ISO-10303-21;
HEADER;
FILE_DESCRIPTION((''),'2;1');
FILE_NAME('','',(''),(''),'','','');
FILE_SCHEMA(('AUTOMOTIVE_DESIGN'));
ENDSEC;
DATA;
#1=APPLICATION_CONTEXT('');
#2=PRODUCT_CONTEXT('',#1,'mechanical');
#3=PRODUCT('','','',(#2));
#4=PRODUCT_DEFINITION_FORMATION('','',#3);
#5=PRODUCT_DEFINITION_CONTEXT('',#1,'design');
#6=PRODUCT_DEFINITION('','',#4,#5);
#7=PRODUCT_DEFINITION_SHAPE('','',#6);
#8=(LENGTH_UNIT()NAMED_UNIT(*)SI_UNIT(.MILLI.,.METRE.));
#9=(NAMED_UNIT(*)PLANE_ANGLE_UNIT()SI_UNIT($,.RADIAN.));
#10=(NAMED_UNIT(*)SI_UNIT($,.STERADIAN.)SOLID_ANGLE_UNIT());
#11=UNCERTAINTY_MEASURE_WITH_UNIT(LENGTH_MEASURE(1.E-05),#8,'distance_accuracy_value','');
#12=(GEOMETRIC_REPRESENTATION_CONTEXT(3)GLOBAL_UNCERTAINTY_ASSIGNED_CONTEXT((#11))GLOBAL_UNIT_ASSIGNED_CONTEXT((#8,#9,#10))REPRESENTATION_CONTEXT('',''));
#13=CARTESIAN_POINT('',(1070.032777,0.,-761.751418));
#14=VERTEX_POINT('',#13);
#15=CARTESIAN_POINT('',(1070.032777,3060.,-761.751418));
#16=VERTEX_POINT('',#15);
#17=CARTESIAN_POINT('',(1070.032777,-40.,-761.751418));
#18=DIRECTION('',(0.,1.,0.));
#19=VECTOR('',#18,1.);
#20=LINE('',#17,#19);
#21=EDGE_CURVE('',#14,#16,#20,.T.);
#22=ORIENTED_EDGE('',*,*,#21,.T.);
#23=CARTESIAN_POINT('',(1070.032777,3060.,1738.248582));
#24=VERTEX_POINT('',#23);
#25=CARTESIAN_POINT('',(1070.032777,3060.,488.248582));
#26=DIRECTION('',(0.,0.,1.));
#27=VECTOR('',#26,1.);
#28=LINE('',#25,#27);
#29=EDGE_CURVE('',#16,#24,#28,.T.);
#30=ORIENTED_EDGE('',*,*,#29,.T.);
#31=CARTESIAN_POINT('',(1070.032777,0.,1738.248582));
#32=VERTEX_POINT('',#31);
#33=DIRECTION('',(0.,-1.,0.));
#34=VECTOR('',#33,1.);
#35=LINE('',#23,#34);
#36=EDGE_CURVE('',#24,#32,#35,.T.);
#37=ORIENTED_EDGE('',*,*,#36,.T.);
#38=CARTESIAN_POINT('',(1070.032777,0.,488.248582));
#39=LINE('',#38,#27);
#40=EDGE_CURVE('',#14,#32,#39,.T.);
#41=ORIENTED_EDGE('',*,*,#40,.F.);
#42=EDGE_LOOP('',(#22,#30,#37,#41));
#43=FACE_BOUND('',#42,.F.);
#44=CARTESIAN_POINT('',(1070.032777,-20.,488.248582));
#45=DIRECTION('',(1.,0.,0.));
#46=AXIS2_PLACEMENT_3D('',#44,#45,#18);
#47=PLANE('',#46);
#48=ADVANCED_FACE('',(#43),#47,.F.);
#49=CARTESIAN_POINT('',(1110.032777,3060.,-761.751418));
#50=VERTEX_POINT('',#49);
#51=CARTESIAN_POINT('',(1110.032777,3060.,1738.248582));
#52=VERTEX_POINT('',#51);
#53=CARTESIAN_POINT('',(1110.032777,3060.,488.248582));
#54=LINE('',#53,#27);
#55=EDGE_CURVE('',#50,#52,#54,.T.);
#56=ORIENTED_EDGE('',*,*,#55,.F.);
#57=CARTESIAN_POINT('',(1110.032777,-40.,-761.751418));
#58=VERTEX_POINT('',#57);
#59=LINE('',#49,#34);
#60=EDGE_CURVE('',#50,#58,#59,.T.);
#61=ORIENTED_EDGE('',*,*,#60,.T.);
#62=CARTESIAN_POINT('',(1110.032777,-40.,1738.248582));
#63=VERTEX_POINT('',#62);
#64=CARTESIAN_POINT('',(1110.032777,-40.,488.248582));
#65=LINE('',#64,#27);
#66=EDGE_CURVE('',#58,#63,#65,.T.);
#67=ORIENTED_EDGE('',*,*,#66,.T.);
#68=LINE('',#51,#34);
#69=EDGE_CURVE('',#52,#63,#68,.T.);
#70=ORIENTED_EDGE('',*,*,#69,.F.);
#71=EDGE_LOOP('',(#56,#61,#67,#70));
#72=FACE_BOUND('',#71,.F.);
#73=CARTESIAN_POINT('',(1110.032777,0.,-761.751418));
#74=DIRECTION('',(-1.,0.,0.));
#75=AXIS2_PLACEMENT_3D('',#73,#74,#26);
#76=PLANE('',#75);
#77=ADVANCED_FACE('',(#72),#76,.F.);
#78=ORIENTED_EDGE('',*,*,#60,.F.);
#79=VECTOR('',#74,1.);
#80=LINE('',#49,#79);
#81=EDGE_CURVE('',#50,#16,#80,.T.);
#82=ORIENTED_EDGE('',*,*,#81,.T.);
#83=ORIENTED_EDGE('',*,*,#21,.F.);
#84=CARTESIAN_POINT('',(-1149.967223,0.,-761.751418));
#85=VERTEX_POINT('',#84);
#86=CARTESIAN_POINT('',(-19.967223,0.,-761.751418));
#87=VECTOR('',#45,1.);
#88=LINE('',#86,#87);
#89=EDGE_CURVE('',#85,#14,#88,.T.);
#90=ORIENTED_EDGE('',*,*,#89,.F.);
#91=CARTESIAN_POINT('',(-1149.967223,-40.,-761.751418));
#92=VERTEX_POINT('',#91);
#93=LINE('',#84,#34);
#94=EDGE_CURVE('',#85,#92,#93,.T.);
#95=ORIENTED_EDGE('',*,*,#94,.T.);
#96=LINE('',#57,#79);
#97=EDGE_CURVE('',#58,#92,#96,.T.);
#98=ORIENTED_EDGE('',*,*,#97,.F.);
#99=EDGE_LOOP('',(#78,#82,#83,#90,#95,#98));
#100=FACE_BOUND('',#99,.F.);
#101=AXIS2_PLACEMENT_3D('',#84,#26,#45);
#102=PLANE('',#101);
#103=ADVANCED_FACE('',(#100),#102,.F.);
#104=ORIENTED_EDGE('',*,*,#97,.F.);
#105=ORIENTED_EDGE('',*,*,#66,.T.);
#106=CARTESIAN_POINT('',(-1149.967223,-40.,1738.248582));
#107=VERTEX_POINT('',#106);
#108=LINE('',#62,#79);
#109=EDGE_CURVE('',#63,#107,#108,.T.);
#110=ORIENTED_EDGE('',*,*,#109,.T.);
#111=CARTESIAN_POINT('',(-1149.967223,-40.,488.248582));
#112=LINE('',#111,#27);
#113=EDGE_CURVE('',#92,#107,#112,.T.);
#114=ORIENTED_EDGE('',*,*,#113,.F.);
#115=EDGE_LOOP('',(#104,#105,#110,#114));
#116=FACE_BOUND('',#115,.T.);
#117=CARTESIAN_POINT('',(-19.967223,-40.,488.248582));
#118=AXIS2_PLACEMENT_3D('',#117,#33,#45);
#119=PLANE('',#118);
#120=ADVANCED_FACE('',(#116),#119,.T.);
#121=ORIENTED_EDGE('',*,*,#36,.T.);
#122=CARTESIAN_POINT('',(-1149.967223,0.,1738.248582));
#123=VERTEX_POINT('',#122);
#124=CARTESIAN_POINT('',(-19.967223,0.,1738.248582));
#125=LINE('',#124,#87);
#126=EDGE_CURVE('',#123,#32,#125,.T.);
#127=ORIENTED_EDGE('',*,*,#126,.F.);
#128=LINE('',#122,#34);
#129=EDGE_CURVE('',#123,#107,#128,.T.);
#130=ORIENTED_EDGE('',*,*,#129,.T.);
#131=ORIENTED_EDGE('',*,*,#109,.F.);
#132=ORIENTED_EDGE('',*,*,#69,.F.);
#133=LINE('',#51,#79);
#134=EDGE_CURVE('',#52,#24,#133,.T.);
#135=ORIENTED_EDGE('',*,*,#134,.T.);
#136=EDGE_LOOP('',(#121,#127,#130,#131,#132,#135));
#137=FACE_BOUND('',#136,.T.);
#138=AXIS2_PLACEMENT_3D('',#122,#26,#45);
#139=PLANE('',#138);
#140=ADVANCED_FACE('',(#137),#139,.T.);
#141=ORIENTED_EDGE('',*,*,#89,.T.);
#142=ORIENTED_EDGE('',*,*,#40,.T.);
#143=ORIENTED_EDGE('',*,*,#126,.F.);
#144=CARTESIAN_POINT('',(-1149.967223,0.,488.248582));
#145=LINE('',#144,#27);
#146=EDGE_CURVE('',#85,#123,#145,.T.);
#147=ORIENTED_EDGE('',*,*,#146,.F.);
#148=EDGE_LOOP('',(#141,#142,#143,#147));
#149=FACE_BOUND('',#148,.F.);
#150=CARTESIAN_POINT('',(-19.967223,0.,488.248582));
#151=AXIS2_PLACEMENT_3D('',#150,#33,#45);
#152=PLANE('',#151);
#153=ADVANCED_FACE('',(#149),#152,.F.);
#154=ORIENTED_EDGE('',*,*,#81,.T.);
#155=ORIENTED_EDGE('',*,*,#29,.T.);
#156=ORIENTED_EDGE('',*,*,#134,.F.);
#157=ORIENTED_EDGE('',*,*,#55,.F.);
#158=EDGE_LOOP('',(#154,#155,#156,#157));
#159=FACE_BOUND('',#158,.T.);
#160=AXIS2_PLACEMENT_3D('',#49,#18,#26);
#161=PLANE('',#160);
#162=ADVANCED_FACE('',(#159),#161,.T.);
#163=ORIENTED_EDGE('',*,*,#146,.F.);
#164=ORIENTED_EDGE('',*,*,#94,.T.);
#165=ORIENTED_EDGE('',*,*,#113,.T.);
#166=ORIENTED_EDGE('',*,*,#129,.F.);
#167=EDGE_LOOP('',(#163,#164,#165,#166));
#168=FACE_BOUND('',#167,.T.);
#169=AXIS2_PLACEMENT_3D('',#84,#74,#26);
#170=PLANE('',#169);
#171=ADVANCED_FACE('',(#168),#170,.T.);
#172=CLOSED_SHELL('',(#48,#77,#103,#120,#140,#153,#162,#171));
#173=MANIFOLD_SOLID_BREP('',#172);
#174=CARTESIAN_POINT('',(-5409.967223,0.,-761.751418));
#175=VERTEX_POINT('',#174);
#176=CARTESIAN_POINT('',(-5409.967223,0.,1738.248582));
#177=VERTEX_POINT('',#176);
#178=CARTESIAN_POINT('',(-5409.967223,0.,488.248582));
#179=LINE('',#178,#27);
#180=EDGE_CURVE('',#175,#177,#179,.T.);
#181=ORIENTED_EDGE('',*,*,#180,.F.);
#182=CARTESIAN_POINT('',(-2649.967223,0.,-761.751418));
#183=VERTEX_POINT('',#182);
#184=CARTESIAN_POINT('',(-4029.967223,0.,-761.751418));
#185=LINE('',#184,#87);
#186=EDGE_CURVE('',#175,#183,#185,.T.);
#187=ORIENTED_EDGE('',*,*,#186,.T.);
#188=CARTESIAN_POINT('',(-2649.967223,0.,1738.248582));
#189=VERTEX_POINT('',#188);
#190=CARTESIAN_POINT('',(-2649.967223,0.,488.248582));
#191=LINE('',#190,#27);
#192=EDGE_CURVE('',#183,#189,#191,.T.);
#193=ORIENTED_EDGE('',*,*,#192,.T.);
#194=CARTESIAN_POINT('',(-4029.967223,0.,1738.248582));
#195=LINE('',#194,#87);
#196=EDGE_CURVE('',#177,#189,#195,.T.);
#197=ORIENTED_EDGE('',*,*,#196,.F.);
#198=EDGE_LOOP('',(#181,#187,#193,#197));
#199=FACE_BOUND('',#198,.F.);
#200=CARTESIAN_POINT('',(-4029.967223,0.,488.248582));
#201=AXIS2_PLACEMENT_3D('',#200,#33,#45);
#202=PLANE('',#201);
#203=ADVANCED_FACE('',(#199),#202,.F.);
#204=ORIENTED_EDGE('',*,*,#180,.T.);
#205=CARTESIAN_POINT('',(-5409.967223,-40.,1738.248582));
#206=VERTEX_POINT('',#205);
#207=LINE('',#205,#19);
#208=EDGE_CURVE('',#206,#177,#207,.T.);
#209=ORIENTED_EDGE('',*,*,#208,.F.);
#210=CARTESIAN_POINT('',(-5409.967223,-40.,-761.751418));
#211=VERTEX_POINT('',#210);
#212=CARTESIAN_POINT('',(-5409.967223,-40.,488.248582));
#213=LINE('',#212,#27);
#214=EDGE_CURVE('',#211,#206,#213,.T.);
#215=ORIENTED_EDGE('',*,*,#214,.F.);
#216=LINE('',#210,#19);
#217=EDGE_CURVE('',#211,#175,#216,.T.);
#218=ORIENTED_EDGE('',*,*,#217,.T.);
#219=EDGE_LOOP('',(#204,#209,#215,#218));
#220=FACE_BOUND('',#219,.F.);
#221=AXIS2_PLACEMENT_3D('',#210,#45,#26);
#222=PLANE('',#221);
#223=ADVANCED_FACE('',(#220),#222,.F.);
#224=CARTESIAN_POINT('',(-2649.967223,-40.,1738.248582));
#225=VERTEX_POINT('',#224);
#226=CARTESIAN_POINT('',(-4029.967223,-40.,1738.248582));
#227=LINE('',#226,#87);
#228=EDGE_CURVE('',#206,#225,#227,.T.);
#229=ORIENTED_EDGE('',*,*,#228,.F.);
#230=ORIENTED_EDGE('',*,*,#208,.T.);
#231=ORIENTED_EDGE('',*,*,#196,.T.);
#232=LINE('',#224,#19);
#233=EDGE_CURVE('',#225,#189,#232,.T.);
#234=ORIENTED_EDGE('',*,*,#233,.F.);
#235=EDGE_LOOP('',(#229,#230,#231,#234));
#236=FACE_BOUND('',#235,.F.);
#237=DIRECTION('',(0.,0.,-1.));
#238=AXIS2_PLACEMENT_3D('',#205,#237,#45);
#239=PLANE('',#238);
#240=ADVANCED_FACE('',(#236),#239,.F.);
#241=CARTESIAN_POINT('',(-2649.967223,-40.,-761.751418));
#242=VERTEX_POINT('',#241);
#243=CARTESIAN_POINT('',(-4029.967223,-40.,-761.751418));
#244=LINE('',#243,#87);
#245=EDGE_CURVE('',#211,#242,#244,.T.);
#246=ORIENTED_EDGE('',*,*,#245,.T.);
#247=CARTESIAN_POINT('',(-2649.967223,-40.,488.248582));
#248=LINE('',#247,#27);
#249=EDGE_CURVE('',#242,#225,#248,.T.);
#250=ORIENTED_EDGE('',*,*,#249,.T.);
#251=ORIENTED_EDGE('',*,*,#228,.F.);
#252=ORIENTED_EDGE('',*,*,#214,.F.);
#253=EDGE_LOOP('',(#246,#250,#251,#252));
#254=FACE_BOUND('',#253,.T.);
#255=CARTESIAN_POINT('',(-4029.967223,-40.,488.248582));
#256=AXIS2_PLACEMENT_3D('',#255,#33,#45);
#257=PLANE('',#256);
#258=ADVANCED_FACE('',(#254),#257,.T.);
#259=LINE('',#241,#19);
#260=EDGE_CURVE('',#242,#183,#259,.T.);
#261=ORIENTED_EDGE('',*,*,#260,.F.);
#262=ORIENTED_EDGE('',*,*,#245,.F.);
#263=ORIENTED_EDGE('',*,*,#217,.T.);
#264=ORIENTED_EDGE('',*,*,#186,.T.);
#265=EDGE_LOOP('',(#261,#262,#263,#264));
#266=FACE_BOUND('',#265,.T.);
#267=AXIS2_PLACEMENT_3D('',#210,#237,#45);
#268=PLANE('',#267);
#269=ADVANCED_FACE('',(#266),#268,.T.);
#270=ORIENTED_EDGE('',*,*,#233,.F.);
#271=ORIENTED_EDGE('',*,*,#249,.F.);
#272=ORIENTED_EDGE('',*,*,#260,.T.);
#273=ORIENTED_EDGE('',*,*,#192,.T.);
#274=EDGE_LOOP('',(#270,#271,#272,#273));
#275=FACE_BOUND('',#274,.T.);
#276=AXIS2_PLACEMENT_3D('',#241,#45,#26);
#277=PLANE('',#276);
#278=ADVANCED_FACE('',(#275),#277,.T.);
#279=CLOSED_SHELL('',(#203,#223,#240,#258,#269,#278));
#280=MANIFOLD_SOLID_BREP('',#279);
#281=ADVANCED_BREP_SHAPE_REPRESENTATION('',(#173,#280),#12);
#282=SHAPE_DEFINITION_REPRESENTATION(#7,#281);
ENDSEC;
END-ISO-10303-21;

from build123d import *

# Parameters (mm, degrees)
F0_W     = 2260
F0_H     = 2500
F1_DEPTH = 40
F2_W     = 40
F2_H     = 2500
F2_W_2   = 3060
F3_DEPTH = 40
F7_W     = 2760
F7_H     = 2500
F8_DEPTH = 40


with BuildPart() as f1:
    # F0 (on Front) → F1 (new body)
    with BuildSketch(Plane.XZ):
        with Locations((-19.967223, 488.248582)):
            Rectangle(F0_W, F0_H)
    extrude(amount=F1_DEPTH)

    # F2 (on face) → F3 (join)
    with BuildSketch(Plane.YZ.offset(1110.032777)):
        with Locations((-20, 488.248582)):
            Rectangle(F2_W, F2_H)
        with Locations((1530, 488.248582)):
            Rectangle(F2_W_2, F2_H)
    extrude(amount=-F3_DEPTH)


with BuildPart() as f8:
    # F7 (on face) → F8 (new body)
    with BuildSketch(Plane.XZ.offset(40)):
        with Locations((-4029.967223, 488.248582)):
            Rectangle(F7_W, F7_H)
    extrude(amount=-F8_DEPTH)


solid = Compound([f1.part, f8.part])
